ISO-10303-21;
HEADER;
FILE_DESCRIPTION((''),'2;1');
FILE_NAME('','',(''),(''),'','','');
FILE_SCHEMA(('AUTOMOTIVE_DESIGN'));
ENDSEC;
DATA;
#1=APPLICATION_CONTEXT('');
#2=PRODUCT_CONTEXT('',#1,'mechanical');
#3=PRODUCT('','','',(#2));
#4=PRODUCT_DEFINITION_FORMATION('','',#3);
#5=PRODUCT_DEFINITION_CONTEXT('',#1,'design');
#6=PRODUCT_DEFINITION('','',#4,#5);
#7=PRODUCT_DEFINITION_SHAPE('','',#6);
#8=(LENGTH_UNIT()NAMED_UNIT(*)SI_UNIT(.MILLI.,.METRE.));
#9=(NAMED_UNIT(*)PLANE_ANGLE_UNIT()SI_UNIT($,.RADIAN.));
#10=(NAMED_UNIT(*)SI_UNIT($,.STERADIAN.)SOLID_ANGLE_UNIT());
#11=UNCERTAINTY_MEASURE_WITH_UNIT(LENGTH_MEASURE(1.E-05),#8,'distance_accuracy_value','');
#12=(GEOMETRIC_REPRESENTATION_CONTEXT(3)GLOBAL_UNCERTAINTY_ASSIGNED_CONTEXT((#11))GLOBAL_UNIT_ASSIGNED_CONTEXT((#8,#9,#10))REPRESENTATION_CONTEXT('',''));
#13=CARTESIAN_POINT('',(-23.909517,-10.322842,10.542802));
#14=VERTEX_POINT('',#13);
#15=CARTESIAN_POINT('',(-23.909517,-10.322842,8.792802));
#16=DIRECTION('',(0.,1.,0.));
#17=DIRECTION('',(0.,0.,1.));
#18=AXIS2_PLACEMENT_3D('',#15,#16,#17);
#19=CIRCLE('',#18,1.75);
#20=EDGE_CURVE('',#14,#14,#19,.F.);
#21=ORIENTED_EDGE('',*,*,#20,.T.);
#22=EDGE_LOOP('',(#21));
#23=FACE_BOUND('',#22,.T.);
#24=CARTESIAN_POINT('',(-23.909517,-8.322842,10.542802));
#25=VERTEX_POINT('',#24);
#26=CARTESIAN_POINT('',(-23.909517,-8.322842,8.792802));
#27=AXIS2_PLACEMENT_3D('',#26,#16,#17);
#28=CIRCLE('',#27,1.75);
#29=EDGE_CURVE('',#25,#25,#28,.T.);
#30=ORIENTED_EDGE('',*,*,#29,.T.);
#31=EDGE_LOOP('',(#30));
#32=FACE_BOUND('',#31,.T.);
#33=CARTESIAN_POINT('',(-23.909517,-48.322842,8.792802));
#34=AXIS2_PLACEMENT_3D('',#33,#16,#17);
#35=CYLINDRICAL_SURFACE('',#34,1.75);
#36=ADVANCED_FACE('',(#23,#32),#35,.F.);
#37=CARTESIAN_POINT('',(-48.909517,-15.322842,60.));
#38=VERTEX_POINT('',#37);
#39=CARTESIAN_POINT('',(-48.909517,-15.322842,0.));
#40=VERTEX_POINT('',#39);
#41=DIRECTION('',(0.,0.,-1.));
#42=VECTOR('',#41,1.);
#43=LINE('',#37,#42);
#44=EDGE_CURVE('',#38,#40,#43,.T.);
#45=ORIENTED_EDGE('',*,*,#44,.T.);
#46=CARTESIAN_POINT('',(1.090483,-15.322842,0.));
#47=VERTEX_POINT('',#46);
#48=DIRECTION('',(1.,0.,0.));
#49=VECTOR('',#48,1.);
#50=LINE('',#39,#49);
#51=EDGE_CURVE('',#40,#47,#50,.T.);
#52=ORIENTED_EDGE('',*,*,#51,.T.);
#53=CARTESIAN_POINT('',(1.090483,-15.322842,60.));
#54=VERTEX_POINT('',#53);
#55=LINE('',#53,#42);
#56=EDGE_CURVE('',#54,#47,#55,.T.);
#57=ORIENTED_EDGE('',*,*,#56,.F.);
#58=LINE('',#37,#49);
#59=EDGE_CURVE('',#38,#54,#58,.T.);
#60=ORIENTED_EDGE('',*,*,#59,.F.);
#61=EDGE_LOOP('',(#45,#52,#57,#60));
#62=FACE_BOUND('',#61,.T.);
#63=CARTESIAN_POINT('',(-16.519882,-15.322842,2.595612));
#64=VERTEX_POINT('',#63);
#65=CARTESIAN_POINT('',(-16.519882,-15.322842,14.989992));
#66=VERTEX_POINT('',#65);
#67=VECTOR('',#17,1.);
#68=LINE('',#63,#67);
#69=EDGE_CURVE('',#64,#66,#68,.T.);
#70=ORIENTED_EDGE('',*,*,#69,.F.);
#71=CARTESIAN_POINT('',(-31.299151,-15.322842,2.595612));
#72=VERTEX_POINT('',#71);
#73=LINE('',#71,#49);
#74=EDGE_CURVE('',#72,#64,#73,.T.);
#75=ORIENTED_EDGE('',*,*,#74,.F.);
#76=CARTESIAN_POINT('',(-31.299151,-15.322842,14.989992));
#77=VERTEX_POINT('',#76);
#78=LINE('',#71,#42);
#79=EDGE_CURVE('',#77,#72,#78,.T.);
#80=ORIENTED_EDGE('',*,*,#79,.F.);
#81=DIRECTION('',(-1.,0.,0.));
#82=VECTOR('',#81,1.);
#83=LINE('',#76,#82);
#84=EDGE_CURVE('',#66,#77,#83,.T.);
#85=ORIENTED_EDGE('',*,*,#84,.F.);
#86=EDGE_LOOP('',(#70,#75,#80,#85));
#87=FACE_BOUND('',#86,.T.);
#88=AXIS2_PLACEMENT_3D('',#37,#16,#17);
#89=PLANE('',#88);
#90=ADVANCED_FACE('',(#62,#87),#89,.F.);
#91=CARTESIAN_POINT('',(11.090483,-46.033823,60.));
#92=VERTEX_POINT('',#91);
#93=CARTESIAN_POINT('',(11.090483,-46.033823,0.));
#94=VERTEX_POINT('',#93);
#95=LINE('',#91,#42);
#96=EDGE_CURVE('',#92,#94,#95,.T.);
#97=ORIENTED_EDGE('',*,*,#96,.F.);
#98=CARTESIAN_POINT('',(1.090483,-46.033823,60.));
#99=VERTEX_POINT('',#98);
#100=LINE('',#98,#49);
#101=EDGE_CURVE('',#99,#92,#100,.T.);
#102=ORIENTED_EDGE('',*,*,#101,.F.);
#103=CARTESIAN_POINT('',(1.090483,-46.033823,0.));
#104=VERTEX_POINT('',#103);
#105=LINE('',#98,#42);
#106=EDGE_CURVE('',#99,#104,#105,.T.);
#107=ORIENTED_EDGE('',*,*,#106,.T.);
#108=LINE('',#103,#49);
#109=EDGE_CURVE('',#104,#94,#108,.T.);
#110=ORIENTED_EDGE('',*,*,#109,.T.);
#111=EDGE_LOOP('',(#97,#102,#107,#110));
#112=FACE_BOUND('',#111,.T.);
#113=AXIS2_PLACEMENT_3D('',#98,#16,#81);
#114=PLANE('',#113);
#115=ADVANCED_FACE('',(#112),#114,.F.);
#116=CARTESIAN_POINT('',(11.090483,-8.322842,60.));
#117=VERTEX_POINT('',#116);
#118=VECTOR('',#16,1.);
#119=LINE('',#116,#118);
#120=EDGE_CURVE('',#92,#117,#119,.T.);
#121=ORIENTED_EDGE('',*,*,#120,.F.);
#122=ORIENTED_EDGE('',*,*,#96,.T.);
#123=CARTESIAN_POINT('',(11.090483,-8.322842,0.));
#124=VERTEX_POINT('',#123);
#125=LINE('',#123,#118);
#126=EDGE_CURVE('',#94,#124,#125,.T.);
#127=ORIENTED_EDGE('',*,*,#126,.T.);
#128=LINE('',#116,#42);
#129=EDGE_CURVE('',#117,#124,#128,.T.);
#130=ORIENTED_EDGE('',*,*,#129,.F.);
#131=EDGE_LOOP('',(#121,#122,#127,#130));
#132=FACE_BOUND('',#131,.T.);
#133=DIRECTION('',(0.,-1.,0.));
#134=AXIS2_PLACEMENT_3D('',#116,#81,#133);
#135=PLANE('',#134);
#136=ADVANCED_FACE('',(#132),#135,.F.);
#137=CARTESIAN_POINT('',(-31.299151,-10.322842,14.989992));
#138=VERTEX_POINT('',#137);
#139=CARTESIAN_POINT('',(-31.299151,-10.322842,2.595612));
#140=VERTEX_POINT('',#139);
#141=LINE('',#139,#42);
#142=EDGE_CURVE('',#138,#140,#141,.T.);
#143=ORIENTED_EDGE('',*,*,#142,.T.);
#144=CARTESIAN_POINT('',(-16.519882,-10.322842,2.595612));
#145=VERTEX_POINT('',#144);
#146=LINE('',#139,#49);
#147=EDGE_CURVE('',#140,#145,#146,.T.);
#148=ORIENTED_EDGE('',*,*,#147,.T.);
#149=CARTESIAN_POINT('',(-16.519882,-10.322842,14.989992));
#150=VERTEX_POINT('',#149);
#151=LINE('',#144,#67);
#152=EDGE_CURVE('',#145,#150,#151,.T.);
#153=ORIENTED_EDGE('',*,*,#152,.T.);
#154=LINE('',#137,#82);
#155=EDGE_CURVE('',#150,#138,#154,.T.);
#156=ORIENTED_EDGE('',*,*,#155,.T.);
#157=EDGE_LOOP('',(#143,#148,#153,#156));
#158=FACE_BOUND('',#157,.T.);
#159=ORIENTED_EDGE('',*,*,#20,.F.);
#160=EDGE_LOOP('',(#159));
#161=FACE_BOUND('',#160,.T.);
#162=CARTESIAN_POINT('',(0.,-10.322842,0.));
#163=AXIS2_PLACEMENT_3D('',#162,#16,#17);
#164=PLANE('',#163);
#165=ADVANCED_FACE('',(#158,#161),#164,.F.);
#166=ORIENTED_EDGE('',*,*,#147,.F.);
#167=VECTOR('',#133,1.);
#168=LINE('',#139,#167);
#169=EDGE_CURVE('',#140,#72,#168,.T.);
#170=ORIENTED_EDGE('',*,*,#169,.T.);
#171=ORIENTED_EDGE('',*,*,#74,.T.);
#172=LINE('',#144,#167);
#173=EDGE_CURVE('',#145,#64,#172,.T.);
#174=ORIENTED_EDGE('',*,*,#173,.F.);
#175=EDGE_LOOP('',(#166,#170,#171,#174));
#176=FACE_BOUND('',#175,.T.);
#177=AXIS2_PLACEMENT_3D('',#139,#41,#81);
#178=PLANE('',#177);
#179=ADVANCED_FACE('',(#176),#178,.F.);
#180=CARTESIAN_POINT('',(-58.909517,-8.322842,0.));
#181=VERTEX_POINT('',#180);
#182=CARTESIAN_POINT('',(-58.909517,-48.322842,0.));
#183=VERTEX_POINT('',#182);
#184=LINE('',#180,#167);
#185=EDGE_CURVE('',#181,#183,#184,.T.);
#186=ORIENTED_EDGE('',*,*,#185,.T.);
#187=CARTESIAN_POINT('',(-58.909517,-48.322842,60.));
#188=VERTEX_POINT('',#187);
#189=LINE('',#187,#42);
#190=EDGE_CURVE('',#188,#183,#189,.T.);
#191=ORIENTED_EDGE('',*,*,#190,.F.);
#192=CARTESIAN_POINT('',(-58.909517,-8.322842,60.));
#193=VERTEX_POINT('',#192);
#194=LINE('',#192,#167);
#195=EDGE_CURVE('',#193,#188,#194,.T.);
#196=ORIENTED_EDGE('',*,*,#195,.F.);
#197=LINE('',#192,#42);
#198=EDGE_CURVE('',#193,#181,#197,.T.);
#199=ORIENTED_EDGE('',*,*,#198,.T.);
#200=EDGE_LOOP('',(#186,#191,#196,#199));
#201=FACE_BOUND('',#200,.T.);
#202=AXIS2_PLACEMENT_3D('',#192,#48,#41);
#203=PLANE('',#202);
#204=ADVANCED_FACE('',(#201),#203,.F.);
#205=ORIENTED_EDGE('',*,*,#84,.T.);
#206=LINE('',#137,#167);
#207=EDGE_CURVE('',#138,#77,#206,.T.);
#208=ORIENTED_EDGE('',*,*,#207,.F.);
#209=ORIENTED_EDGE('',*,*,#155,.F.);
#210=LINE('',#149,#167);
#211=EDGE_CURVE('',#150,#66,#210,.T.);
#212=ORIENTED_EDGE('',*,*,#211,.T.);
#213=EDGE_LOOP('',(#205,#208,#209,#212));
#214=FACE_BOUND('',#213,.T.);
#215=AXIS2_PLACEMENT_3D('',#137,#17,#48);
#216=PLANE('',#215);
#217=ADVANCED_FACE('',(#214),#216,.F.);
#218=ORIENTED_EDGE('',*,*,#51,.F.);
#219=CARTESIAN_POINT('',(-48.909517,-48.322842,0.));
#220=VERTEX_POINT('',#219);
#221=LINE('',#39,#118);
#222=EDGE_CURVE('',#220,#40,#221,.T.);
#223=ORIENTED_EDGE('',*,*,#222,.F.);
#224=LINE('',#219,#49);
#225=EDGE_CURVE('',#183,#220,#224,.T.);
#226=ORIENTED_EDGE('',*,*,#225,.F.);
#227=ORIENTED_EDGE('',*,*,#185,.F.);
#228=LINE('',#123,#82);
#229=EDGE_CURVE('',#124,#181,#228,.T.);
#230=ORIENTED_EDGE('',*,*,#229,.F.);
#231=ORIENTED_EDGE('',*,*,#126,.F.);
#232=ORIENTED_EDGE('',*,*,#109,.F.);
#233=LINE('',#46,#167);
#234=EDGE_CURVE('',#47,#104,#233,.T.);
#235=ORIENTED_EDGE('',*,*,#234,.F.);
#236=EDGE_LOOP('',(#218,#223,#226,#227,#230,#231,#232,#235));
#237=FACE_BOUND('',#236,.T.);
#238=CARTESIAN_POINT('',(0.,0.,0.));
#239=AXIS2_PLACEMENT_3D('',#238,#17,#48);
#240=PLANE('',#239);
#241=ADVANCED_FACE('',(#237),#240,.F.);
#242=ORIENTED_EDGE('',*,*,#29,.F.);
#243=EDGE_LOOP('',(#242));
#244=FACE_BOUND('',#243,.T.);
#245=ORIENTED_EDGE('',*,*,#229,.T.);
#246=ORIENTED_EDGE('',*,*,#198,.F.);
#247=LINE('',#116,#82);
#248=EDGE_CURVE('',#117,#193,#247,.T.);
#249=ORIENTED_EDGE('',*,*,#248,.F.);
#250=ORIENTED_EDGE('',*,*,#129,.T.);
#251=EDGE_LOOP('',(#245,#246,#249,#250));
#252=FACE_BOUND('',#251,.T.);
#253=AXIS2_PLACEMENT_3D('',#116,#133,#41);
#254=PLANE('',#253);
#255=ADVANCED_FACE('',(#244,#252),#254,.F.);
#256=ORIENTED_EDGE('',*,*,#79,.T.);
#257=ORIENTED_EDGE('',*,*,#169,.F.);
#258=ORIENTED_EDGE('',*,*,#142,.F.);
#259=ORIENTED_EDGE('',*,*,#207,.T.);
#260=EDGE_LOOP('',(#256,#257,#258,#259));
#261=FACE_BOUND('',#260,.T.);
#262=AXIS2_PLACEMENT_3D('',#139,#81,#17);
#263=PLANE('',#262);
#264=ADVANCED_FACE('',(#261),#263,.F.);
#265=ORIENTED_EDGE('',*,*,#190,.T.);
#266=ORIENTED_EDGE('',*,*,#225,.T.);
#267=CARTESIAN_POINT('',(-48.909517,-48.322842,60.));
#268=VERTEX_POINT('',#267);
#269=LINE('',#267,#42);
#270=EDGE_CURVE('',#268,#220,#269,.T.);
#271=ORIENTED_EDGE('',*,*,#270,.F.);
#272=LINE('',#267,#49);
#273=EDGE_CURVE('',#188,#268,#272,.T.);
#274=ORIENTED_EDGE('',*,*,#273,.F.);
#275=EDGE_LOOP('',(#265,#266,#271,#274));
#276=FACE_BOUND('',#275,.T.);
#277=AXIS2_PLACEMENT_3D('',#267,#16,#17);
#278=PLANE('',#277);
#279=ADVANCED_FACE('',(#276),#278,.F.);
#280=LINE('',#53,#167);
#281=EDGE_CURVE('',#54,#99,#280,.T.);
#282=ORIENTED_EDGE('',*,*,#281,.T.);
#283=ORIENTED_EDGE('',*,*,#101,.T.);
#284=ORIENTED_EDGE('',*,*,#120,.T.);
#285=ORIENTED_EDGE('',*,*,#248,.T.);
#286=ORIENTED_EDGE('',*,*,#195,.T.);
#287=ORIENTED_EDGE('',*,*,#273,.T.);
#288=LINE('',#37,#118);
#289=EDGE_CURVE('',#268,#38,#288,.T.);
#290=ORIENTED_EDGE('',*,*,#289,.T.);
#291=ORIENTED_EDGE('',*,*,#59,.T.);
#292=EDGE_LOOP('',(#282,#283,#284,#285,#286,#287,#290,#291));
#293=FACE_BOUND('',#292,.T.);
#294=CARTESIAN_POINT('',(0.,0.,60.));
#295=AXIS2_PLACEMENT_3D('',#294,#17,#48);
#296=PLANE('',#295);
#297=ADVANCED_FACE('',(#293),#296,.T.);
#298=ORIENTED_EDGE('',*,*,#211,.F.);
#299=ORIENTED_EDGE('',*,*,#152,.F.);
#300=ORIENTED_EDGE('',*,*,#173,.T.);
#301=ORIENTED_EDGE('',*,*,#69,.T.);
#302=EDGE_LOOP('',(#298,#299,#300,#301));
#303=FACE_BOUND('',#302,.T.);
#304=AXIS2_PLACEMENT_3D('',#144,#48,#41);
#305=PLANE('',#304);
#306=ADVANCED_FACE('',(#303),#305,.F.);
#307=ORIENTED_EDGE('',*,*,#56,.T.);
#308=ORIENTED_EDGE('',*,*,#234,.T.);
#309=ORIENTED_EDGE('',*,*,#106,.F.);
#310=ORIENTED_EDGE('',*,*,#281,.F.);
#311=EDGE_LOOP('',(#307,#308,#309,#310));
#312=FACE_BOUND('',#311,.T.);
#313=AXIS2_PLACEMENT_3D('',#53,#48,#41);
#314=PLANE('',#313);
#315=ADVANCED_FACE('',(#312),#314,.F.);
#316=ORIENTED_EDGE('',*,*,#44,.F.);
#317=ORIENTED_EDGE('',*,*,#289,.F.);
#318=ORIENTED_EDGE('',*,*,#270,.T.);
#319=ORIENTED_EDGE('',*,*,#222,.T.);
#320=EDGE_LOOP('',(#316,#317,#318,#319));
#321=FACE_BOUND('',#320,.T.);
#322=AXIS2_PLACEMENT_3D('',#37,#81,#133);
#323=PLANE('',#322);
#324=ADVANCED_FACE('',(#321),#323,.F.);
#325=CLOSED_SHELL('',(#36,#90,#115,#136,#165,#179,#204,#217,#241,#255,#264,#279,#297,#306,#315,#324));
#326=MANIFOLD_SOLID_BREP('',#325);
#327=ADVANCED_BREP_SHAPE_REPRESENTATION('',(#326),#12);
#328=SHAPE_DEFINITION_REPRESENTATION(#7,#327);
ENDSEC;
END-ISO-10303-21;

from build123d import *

# Parameters (mm, degrees)
BOSS_EXTRUDE1_DEPTH     = 60
CUT_EXTRUDE1_DEPTH      = 91.329016086
CUT_EXTRUDE1_DEPTH_BACK = 91.329016086
SKETCH2_R               = 1.75
SKETCH3_W               = 14.779269325
SKETCH3_H               = 12.394379378
CUT_EXTRUDE2_DEPTH      = 5


with BuildPart() as part:
    # Sketch1 → Boss-Extrude1 (new body)
    with BuildSketch(Plane.XY):
        Polygon((-58.909516608, -8.322842348), (-58.909516608, -48.322842348), (-48.909516608, -48.322842348), (-48.909516608, -15.322842348), (1.090483392, -15.322842348), (1.090483392, -46.033822892), (11.090483392, -46.033822892), (11.090483392, -8.322842348), align=None)
    extrude(amount=BOSS_EXTRUDE1_DEPTH)

    # Sketch2 → Cut-Extrude1 (cut, two sides: drawn at the far end of the back side and taken through both)
    with BuildSketch(Plane(origin=(0, -15.322842348, 0), x_dir=(1, 0, 0), z_dir=(0, 1, 0)).offset(-CUT_EXTRUDE1_DEPTH_BACK)):
        with Locations(Location((-23.909516608, -8.79280196, 0), (0, 0, 270))):
            Circle(SKETCH2_R)
    extrude(amount=CUT_EXTRUDE1_DEPTH + CUT_EXTRUDE1_DEPTH_BACK, mode=Mode.SUBTRACT)

    # Sketch3 → Cut-Extrude2 (cut)
    with BuildSketch(Plane(origin=(0, -15.322842348, 0), x_dir=(-1, 0, 0), z_dir=(0, -1, 0))):
        with Locations((23.909516609, -8.79280196)):
            Rectangle(SKETCH3_W, SKETCH3_H)
    extrude(amount=-CUT_EXTRUDE2_DEPTH, mode=Mode.SUBTRACT)


solid = part.part
